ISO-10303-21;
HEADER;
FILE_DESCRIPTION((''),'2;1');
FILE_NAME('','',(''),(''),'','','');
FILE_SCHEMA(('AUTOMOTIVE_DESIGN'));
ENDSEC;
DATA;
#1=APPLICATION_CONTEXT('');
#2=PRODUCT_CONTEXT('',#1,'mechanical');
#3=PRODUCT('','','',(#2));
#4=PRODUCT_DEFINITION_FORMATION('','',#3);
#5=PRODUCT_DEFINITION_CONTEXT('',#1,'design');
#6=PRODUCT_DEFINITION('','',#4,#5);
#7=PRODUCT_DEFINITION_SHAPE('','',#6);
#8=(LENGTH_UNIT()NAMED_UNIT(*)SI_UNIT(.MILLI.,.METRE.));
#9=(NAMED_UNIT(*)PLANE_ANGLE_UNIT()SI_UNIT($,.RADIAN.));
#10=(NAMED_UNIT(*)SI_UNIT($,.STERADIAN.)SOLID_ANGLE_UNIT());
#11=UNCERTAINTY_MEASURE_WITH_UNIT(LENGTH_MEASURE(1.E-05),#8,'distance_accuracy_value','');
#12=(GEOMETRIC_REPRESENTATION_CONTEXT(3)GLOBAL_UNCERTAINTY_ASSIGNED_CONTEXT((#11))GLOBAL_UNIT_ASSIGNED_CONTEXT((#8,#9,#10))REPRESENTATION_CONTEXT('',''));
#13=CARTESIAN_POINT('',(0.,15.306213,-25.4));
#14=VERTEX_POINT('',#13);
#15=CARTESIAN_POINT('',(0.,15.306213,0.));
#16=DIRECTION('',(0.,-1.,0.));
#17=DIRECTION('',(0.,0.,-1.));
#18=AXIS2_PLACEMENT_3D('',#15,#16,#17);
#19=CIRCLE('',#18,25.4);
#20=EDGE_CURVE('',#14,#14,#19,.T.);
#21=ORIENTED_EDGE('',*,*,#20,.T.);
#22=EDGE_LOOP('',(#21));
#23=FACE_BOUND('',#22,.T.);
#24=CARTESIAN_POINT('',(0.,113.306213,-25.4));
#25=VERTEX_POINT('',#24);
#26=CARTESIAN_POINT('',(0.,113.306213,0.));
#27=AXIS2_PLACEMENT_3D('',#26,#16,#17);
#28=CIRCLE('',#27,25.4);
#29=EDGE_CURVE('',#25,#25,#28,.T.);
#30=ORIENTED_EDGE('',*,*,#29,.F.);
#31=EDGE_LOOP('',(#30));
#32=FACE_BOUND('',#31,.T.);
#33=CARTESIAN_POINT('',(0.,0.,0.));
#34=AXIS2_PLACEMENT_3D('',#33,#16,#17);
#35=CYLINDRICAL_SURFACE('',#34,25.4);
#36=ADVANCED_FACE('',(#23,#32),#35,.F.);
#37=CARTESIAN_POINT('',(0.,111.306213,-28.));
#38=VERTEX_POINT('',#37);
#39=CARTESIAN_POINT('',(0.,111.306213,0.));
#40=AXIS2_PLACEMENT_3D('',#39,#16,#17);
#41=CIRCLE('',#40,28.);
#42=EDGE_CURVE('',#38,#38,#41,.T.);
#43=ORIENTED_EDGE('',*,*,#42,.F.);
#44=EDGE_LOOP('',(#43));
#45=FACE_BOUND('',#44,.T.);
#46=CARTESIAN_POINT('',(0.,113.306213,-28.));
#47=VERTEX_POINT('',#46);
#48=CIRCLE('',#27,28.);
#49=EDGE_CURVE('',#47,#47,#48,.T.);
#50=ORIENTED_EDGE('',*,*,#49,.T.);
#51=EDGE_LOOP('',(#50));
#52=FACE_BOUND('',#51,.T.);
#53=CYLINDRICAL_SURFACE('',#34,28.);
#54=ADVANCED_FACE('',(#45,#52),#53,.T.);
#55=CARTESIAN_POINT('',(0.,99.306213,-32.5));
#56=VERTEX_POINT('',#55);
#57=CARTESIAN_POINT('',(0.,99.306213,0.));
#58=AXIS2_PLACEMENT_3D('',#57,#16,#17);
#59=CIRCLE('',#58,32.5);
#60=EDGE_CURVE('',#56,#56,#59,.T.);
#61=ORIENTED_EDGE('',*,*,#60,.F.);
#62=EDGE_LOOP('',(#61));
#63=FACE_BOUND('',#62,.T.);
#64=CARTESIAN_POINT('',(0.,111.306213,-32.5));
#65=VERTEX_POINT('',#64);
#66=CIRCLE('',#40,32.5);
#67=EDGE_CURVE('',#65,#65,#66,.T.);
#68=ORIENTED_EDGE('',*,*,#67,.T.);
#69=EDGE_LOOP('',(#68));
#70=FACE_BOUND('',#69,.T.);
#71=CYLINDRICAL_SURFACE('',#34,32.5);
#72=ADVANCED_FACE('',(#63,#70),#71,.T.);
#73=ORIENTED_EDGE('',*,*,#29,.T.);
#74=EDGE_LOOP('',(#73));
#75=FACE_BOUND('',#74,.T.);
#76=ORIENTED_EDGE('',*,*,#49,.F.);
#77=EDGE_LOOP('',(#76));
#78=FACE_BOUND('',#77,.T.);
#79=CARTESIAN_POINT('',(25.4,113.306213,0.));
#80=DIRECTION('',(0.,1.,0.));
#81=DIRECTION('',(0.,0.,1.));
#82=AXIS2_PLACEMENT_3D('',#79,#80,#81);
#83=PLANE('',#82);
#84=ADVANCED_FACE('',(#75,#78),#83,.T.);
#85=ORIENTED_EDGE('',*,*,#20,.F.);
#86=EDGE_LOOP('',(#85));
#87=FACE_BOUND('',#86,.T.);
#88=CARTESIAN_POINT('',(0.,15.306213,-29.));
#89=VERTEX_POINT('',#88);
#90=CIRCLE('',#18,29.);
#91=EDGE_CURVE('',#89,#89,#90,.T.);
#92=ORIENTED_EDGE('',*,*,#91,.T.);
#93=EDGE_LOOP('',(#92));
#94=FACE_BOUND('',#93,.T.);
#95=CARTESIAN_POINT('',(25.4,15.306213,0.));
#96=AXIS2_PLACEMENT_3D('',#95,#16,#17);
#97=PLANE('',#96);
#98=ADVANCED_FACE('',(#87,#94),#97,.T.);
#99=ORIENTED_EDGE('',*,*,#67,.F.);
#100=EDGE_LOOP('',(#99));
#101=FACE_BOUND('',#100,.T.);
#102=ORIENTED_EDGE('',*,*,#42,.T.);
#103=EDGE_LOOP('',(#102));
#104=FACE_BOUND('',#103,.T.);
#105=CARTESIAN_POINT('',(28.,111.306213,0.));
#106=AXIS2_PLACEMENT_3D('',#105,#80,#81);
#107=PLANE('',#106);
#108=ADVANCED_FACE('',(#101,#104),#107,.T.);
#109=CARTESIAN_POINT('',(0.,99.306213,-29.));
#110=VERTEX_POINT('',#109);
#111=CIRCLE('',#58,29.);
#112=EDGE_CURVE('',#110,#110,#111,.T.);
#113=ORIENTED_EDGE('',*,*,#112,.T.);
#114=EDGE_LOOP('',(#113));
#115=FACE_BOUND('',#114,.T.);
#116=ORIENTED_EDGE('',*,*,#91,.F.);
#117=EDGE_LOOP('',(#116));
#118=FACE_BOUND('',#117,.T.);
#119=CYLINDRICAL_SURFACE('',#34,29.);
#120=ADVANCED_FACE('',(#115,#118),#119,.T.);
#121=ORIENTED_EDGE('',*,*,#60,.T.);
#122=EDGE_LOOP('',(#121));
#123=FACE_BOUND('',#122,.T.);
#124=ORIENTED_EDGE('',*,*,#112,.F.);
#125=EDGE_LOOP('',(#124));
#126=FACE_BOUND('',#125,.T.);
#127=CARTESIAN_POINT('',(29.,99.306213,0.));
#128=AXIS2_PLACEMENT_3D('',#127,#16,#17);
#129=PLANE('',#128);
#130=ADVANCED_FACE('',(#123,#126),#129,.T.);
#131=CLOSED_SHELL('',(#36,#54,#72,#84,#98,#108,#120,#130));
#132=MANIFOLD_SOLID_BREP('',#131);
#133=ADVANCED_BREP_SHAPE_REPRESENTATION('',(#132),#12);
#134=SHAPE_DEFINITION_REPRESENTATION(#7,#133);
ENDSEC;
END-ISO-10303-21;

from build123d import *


with BuildPart() as part:
    # Esquisse1 → Révolution1 (revolve)
    with BuildSketch(Plane.XY, mode=Mode.PRIVATE) as r_volution1_sk:
        Polygon((25.4, 113.306213316), (25.4, 15.306213316), (29, 15.306213316), (29, 99.306213316), (32.5, 99.306213316), (32.5, 111.306213316), (28, 111.306213316), (28, 113.306213316), align=None)
    revolve(r_volution1_sk.sketch.rotate(Axis((0, 0, 0), (0, 1, 0)), 90), axis=Axis((0, 0, 0), (0, 1, 0)))


solid = part.part
